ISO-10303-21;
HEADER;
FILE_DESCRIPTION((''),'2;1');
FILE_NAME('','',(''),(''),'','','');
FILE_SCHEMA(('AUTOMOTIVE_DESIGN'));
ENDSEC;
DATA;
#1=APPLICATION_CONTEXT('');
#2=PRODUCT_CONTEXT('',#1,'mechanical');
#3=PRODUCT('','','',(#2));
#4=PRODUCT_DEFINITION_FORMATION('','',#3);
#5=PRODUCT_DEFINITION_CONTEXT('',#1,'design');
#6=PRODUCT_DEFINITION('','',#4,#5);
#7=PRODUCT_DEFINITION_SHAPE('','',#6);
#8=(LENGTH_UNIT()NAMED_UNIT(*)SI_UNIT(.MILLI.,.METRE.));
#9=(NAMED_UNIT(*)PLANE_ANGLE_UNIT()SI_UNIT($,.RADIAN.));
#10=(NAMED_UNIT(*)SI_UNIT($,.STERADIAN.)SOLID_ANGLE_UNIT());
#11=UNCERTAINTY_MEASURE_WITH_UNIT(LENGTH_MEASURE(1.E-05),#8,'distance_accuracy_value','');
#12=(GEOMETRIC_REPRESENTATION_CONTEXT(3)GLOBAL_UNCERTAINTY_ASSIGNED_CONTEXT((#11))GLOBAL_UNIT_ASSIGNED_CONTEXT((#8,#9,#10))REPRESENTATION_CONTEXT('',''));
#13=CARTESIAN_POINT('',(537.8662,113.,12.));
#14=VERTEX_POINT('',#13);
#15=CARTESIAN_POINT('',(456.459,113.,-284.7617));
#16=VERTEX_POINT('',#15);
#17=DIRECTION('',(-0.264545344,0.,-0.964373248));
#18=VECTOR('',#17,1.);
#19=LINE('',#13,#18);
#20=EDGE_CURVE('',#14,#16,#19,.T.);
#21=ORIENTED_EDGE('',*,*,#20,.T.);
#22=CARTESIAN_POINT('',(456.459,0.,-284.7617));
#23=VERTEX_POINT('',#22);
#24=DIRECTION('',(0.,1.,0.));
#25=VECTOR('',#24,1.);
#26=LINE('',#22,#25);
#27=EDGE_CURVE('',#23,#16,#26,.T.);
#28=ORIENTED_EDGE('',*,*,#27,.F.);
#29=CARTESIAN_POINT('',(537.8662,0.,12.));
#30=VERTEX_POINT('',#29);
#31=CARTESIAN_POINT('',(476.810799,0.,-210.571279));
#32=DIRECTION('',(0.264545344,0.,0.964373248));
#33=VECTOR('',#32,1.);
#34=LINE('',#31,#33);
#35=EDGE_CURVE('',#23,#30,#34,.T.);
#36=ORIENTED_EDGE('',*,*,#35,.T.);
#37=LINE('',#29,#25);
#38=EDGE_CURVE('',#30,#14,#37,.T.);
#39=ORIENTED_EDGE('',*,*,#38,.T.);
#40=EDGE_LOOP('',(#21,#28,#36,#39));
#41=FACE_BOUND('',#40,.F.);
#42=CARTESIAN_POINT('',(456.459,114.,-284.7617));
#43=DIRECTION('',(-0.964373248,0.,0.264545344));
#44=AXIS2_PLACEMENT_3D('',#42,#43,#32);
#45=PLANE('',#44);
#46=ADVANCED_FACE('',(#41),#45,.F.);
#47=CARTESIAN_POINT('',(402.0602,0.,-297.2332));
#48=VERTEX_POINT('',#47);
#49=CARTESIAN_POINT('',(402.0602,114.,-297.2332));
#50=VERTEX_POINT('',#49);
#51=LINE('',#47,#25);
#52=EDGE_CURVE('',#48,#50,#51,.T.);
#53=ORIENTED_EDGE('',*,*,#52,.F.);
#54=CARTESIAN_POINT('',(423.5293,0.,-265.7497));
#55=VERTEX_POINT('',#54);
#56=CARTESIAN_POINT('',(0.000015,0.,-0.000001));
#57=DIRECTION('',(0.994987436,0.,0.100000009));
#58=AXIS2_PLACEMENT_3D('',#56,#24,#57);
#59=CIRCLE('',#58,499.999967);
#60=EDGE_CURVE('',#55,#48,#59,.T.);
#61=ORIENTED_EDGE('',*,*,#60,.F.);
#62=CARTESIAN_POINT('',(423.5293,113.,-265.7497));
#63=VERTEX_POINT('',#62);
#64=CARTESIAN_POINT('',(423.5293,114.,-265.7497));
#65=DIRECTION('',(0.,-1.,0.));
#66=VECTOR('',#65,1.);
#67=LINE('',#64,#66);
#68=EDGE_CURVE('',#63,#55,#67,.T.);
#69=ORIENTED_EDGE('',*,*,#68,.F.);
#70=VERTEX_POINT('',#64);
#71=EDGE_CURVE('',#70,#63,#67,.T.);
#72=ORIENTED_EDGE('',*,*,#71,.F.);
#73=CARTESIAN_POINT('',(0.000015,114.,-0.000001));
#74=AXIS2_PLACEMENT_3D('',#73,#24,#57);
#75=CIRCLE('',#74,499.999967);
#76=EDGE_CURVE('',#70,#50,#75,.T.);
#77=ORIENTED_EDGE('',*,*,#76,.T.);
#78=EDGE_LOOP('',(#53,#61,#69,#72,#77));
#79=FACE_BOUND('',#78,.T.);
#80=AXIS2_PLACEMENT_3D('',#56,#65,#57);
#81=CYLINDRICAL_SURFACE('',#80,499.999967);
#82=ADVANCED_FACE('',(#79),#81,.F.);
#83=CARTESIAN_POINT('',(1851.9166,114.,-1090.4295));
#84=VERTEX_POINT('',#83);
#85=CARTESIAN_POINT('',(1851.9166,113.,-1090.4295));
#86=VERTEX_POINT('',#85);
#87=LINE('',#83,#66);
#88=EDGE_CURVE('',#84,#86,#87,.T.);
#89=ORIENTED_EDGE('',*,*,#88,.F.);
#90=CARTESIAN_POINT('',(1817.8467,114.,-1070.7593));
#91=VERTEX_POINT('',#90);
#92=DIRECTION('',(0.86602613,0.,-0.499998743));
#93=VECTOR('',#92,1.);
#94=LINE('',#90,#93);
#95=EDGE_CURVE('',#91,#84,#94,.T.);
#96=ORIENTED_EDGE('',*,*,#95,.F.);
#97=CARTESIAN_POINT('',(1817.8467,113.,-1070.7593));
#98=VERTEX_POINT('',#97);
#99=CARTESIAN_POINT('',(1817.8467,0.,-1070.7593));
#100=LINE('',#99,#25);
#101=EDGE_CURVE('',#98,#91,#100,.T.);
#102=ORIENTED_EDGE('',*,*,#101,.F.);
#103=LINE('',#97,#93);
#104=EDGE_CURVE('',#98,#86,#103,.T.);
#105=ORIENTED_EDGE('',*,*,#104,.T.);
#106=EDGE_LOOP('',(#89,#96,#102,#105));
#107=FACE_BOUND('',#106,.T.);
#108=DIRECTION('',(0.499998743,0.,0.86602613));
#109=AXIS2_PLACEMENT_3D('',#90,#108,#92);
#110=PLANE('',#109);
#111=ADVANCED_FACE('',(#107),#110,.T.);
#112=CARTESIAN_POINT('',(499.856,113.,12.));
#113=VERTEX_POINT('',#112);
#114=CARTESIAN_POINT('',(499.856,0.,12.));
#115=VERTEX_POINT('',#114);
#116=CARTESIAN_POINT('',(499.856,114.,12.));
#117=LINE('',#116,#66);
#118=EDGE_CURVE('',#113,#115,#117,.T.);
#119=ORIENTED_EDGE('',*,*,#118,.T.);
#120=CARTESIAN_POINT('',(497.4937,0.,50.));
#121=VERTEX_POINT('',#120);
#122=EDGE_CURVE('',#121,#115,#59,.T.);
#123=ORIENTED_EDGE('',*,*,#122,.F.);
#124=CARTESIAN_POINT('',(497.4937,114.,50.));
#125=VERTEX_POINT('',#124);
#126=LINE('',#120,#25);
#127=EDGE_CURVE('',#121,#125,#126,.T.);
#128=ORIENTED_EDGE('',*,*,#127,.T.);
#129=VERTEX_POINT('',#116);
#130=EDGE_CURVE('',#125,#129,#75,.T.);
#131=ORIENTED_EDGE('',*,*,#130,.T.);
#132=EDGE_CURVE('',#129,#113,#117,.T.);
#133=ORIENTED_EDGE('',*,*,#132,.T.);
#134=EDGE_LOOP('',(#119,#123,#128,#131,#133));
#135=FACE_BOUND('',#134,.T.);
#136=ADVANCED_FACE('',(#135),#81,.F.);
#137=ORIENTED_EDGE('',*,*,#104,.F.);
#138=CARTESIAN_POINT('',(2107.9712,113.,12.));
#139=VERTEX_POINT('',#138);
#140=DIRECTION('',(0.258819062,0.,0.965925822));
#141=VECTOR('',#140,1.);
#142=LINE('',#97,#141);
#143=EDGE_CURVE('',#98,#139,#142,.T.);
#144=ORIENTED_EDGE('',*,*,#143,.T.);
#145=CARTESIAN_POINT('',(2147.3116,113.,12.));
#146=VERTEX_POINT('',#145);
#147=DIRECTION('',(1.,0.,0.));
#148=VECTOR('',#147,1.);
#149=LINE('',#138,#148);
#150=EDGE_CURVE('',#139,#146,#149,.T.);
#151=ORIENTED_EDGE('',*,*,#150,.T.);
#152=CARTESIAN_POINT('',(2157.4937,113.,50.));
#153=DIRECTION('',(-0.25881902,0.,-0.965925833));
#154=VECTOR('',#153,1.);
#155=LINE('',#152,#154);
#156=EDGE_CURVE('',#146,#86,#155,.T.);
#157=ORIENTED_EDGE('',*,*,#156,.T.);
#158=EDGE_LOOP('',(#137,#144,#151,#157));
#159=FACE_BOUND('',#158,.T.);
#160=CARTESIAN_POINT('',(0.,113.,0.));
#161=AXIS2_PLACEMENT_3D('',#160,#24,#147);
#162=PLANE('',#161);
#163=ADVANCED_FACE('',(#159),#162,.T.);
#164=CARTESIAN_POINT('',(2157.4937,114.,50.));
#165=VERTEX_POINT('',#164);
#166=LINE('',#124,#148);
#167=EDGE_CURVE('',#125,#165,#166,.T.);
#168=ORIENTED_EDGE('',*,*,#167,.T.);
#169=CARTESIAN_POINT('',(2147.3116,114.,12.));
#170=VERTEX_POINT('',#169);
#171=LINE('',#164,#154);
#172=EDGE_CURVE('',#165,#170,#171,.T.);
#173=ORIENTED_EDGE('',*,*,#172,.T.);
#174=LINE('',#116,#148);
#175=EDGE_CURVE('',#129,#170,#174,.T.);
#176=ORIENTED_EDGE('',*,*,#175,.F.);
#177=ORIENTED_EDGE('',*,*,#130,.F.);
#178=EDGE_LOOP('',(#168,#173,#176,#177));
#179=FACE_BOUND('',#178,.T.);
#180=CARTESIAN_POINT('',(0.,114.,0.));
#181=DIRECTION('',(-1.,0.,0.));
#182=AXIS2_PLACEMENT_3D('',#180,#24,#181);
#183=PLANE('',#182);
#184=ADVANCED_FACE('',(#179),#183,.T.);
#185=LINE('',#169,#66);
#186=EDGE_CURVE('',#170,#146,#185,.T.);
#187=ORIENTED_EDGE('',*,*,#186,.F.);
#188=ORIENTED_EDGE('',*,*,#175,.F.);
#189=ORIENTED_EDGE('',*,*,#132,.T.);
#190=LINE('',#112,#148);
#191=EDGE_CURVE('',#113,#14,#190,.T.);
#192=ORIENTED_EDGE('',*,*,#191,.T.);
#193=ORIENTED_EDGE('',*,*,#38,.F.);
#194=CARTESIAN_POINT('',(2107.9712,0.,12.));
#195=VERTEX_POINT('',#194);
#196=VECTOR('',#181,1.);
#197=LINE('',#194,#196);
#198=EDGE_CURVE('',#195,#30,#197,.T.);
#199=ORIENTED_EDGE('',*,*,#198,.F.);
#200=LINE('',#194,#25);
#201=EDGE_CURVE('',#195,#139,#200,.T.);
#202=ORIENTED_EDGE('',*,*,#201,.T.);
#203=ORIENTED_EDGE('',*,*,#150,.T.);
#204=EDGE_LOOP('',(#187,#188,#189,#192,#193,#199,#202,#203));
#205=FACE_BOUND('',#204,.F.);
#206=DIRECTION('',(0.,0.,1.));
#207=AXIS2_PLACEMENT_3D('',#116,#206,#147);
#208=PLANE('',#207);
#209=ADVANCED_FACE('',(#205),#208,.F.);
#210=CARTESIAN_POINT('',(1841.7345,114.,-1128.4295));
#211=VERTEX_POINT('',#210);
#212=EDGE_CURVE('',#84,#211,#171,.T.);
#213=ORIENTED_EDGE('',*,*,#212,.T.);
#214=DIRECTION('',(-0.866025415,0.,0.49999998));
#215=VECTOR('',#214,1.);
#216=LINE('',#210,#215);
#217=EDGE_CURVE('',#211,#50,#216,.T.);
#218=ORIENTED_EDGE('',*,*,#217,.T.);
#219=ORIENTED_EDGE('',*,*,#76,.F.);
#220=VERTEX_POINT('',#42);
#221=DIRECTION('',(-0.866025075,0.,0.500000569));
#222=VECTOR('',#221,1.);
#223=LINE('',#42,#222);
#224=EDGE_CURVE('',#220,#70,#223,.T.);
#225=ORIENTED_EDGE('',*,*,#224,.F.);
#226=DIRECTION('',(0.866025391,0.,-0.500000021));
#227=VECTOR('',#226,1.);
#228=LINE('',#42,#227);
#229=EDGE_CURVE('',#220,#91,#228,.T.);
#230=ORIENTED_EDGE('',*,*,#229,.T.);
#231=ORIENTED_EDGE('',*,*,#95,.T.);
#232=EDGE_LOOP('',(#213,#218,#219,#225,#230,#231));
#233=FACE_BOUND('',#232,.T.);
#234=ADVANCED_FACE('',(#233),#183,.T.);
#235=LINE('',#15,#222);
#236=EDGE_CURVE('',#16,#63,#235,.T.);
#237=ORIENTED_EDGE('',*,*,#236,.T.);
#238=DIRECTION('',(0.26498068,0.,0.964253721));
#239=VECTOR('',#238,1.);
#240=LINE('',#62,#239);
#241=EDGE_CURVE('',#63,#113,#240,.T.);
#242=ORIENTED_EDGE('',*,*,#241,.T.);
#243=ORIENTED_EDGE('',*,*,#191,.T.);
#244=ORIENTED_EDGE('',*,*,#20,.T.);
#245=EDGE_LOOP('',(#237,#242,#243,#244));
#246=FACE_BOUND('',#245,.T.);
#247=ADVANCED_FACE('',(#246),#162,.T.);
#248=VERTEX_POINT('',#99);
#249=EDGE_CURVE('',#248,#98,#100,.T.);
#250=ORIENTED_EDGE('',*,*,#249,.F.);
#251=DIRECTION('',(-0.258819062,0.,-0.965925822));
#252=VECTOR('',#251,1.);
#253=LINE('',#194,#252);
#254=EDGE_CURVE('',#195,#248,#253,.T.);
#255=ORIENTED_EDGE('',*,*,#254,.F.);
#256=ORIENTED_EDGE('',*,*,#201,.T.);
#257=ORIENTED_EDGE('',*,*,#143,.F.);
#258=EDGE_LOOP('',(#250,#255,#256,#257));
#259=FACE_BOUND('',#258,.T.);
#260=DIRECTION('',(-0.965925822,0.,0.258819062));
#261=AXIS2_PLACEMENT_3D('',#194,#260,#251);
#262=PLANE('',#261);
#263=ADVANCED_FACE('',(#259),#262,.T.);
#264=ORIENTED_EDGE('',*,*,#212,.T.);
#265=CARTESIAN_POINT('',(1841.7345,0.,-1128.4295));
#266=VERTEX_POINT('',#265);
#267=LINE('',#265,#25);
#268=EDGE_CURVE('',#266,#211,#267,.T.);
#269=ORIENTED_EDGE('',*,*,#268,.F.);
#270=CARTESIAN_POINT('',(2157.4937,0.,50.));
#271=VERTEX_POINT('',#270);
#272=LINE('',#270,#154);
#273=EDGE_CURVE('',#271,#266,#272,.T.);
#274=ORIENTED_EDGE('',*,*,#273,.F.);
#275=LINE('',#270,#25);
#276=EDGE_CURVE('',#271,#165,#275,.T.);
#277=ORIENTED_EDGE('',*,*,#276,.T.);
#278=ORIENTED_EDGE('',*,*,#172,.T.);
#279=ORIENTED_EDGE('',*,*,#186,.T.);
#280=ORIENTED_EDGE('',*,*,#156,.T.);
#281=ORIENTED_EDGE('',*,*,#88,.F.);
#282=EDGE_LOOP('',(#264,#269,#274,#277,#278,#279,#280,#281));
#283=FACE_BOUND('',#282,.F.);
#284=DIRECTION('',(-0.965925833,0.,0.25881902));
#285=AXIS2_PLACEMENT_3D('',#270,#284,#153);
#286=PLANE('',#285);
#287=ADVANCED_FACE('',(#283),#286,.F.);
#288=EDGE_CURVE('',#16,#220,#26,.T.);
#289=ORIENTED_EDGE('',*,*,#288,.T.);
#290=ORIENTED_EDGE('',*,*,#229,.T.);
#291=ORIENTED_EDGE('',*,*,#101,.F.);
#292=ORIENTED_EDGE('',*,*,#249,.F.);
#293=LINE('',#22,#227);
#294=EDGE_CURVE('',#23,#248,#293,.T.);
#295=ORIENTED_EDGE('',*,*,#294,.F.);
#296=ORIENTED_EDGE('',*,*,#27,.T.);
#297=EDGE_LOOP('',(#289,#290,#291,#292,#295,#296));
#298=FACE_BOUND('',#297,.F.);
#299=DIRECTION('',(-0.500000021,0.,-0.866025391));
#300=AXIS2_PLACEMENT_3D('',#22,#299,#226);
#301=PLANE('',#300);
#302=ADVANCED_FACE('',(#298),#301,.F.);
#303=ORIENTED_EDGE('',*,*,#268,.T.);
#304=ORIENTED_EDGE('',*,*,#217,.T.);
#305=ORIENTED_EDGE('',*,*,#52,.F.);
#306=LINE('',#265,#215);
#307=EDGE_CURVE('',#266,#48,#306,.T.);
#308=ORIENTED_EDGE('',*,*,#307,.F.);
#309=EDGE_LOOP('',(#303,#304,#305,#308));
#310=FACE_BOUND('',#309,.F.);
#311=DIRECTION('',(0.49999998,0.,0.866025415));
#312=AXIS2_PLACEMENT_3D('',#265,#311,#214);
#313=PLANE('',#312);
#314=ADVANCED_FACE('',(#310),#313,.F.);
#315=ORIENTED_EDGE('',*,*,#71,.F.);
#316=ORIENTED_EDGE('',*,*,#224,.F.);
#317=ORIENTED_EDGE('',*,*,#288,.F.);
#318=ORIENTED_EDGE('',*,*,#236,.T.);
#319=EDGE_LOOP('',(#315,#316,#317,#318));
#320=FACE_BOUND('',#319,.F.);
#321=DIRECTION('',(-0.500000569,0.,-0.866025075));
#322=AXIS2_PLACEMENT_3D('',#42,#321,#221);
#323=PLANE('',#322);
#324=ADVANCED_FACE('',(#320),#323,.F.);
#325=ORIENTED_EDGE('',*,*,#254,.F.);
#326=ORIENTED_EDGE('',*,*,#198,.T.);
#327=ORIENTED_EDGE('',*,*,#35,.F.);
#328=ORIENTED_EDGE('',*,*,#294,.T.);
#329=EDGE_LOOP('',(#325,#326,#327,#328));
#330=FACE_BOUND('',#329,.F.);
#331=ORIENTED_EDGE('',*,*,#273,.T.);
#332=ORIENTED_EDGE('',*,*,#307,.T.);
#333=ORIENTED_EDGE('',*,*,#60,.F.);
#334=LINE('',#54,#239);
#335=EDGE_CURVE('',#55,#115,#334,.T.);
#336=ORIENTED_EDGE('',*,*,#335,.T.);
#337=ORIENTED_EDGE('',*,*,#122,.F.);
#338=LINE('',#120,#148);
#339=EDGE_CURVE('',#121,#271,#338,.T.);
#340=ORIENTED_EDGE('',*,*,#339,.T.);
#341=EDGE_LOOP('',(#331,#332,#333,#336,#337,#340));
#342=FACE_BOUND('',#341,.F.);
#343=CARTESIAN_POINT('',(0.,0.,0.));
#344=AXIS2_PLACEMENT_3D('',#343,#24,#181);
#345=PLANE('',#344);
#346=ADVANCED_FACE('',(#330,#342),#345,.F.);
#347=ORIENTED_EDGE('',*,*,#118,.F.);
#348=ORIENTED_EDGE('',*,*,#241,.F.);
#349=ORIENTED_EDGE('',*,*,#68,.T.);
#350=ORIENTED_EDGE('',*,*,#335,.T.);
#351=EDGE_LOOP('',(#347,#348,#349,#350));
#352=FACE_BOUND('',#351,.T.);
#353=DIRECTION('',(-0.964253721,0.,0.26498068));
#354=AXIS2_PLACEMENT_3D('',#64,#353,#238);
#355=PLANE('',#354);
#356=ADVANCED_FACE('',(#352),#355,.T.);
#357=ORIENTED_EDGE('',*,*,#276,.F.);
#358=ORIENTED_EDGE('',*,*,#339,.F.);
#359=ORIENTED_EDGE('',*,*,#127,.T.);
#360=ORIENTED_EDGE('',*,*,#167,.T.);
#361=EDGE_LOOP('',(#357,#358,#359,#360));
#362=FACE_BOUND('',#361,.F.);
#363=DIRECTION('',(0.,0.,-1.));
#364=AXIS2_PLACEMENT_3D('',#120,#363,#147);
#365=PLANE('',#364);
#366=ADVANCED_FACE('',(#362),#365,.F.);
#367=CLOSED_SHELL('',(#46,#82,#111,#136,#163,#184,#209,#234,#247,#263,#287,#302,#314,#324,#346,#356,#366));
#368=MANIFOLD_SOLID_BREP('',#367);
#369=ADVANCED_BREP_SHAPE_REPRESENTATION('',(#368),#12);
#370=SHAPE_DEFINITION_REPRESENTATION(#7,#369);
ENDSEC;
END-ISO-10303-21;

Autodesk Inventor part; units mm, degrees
ref_plane "YZ Plane" through (0, 0, 0) normal (1, 0, 0) x (0, 1, 0)
ref_plane "XZ Plane" through (0, 0, 0) normal (0, 1, 0) x (-1, 0, 0)
ref_plane "XY Plane" through (0, 0, 0) normal (0, 0, 1) x (1, 0, 0)
sketch "Sketch1" plane through (0, 0, 0) normal (0, 1, 0) x (-1, 0, 0)
  line L0 (0, 0) -> (-3000, 0) construction
  line L1 (0, 0) -> (-2598.0762, -1500) construction
  line L2 (0, 0) -> (3000, 0) construction
  arc A0 (-497.4937, 50) -> (-402.0602, -297.2332) centre (0, 0) ccw
  line L3 (-497.4937, 50) -> (-2157.4937, 50)
  line L4 (-2157.4937, 50) -> (-1841.7345, -1128.4295)
  line L5 (-2157.4937, 50) -> (-937.4937, 50) construction
  line L6 (-1841.7345, -1128.4295) -> (1158.2655, -1128.4295) construction
  line L7 (-1841.7345, -1128.4295) -> (-402.0602, -297.2332)
  arc A1 (-537.8662, 12) -> (-456.459, -284.7617) centre (0, 0) ccw
  line L8 (-2107.9712, 12) -> (-537.8662, 12)
  line L9 (-456.459, -284.7617) -> (-1817.8467, -1070.7593)
  line L10 (-2107.9712, 12) -> (-1817.8467, -1070.7593)
  dimension "d1" = 3000
  dimension "d2" = 150
  dimension "d3" = 1000
  dimension "d11" = 50
  dimension "d12" = 1660
  dimension "d13" = 1220
  dimension "d14" = 75
extrude "Extrusion2" add sketch "Sketch1" along normal blind 114
sketch "Sketch2" plane through (0, 114, 0) normal (0, 1, 0) x (1, 0, 0)
  line L0 (497.4937, -50) -> (2157.4937, -50) projected
  line L1 (1841.7345, 1128.4295) -> (402.0602, 297.2332) projected
  arc A0 (497.4937, -50) -> (402.0602, 297.2332) centre (0, 0) ccw projected
  line L2 (456.459, 284.7617) -> (537.8662, -12)
  line L3 (456.459, 284.7617) -> (423.5293, 265.7497)
  line L4 (537.8662, -12) -> (499.856, -12)
  line L5 (423.5293, 265.7497) -> (499.856, -12)
extrude "Extrusion3" add sketch "Sketch2" against normal blind 114 contours L5 A0
sketch "Sketch3" plane through (0, 114, 0) normal (0, 1, 0) x (1, 0, 0)
  arc A0 (537.8662, -12) -> (456.459, 284.7617) centre (0, 0) ccw projected
  line L0 (456.459, 284.7617) -> (537.8662, -12)
extrude "Extrusion4" cut sketch "Sketch3" against normal blind 3500
sketch "Sketch4" plane through (0, 114, 0) normal (0, 1, 0) x (1, 0, 0)
  line L0 (537.8662, -12) -> (456.459, 284.7617) projected
  line L1 (2107.9712, -12) -> (537.8662, -12) projected
  line L2 (1841.7345, 1128.4295) -> (402.0602, 297.2332) projected
  line L3 (423.5293, 265.7497) -> (499.856, -12) projected
  line L4 (456.459, 284.7617) -> (423.5293, 265.7497)
  line L5 (499.856, -12) -> (537.8662, -12)
extrude "Extrusion5" cut sketch "Sketch4" against normal blind 1
sketch "Sketch5" plane through (0, 114, 0) normal (0, 1, 0) x (1, 0, 0)
  line L0 (1817.8467, 1070.7593) -> (2107.9712, -12) projected
  line L1 (497.4937, -50) -> (2157.4937, -50) projected
  line L2 (2157.4937, -50) -> (1841.7345, 1128.4295) projected
  line L3 (1841.7345, 1128.4295) -> (402.0602, 297.2332) projected
  line L4 (1817.8467, 1070.7593) -> (1851.9166, 1090.4295)
  line L5 (2107.9712, -12) -> (2147.3116, -12)
extrude "Extrusion6" cut sketch "Sketch5" against normal blind 1
properties part number "panelAflat" material "Wood (Birch)"
